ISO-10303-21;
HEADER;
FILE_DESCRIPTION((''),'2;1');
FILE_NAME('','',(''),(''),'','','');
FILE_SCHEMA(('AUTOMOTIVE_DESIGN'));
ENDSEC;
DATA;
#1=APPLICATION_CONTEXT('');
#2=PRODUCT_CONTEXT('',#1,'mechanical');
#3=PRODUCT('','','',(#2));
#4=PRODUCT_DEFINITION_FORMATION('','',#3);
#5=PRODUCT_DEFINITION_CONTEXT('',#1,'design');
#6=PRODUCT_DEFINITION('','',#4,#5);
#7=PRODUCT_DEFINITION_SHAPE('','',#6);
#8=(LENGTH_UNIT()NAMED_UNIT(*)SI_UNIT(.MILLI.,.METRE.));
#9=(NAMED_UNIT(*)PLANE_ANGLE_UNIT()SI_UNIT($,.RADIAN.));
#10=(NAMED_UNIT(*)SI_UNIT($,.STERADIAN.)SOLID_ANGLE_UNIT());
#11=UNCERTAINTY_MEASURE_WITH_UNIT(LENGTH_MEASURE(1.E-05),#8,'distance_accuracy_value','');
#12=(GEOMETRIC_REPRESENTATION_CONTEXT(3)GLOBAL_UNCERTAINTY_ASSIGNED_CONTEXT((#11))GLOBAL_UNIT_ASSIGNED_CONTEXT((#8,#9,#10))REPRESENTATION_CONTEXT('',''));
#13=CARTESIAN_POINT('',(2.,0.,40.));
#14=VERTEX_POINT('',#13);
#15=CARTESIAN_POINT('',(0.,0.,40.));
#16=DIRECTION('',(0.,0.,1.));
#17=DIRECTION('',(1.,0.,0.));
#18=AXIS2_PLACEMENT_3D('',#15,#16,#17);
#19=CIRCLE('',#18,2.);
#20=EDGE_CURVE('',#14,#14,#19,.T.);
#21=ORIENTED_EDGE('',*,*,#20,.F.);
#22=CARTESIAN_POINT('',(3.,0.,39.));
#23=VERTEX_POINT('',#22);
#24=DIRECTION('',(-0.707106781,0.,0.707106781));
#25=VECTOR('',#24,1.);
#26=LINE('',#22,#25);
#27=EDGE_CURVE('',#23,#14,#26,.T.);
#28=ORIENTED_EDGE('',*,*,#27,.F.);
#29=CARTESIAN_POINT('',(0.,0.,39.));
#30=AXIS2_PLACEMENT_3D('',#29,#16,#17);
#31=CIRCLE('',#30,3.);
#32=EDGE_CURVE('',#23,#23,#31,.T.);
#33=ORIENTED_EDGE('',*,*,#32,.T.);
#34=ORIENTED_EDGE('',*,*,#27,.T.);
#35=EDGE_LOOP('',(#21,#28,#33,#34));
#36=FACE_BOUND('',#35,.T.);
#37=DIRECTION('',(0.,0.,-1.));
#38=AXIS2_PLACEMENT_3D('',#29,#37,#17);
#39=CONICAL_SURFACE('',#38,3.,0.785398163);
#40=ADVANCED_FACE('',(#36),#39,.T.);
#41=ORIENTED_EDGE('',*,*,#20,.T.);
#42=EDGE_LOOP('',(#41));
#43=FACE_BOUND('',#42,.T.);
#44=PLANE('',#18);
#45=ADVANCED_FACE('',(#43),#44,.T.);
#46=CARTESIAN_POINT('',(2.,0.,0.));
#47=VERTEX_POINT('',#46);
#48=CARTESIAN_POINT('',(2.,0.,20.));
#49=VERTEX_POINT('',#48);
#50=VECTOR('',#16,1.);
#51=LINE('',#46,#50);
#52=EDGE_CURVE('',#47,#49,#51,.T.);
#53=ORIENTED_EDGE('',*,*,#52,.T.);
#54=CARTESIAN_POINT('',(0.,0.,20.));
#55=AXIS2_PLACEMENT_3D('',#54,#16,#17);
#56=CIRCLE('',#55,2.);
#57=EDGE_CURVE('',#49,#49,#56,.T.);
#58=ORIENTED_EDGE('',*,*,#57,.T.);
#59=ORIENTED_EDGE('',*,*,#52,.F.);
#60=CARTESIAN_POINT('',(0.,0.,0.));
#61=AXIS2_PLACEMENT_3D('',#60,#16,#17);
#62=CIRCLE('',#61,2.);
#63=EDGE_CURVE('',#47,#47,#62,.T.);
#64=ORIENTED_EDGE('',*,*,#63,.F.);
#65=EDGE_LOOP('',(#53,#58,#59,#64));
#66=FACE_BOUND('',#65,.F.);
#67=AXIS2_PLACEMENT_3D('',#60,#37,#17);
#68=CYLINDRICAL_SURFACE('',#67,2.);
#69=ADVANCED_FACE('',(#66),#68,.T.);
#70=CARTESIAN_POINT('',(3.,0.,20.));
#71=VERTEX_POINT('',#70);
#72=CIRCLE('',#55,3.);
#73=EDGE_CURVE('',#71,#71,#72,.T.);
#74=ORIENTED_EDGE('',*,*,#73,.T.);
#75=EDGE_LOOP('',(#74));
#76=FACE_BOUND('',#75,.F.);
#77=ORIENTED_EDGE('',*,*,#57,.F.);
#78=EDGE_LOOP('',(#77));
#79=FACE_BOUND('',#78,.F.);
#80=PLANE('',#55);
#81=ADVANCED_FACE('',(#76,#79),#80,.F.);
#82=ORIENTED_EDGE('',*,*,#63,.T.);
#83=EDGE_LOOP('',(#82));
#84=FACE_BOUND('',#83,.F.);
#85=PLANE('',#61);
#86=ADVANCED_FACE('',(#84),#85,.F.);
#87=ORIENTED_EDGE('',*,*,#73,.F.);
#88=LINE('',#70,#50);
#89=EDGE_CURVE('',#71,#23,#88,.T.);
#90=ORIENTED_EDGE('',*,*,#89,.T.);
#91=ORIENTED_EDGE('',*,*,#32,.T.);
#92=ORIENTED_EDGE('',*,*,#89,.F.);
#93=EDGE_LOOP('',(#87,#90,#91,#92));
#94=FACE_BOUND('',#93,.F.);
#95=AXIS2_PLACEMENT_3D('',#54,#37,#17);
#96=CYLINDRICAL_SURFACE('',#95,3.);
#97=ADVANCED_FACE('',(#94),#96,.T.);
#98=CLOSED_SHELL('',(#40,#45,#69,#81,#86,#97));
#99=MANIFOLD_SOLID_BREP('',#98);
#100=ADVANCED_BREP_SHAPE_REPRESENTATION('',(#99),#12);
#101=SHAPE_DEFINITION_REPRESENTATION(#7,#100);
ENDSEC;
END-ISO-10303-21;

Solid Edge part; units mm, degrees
sketch "Sketch1" plane through (0, 0, 0) normal (0, 0, 1) x (1, 0, 0)
  circle A0 centre (0, 0) radius 2
extrude "Protrusion1" add sketch "Sketch1" along normal blind 20
sketch "Sketch2" plane through (0, 0, 20) normal (0, 0, 1) x (1, 0, 0)
  circle A0 centre (0, 0) radius 3
extrude "Top" add sketch "Sketch2" along normal blind 20
chamfer "Chamfer___Top" distance 1 angle 45 1 edges at (-3, 0, 40)
cosmetic_thread "Thread1" size "M4"
properties material "Stainless Steel, 420"
